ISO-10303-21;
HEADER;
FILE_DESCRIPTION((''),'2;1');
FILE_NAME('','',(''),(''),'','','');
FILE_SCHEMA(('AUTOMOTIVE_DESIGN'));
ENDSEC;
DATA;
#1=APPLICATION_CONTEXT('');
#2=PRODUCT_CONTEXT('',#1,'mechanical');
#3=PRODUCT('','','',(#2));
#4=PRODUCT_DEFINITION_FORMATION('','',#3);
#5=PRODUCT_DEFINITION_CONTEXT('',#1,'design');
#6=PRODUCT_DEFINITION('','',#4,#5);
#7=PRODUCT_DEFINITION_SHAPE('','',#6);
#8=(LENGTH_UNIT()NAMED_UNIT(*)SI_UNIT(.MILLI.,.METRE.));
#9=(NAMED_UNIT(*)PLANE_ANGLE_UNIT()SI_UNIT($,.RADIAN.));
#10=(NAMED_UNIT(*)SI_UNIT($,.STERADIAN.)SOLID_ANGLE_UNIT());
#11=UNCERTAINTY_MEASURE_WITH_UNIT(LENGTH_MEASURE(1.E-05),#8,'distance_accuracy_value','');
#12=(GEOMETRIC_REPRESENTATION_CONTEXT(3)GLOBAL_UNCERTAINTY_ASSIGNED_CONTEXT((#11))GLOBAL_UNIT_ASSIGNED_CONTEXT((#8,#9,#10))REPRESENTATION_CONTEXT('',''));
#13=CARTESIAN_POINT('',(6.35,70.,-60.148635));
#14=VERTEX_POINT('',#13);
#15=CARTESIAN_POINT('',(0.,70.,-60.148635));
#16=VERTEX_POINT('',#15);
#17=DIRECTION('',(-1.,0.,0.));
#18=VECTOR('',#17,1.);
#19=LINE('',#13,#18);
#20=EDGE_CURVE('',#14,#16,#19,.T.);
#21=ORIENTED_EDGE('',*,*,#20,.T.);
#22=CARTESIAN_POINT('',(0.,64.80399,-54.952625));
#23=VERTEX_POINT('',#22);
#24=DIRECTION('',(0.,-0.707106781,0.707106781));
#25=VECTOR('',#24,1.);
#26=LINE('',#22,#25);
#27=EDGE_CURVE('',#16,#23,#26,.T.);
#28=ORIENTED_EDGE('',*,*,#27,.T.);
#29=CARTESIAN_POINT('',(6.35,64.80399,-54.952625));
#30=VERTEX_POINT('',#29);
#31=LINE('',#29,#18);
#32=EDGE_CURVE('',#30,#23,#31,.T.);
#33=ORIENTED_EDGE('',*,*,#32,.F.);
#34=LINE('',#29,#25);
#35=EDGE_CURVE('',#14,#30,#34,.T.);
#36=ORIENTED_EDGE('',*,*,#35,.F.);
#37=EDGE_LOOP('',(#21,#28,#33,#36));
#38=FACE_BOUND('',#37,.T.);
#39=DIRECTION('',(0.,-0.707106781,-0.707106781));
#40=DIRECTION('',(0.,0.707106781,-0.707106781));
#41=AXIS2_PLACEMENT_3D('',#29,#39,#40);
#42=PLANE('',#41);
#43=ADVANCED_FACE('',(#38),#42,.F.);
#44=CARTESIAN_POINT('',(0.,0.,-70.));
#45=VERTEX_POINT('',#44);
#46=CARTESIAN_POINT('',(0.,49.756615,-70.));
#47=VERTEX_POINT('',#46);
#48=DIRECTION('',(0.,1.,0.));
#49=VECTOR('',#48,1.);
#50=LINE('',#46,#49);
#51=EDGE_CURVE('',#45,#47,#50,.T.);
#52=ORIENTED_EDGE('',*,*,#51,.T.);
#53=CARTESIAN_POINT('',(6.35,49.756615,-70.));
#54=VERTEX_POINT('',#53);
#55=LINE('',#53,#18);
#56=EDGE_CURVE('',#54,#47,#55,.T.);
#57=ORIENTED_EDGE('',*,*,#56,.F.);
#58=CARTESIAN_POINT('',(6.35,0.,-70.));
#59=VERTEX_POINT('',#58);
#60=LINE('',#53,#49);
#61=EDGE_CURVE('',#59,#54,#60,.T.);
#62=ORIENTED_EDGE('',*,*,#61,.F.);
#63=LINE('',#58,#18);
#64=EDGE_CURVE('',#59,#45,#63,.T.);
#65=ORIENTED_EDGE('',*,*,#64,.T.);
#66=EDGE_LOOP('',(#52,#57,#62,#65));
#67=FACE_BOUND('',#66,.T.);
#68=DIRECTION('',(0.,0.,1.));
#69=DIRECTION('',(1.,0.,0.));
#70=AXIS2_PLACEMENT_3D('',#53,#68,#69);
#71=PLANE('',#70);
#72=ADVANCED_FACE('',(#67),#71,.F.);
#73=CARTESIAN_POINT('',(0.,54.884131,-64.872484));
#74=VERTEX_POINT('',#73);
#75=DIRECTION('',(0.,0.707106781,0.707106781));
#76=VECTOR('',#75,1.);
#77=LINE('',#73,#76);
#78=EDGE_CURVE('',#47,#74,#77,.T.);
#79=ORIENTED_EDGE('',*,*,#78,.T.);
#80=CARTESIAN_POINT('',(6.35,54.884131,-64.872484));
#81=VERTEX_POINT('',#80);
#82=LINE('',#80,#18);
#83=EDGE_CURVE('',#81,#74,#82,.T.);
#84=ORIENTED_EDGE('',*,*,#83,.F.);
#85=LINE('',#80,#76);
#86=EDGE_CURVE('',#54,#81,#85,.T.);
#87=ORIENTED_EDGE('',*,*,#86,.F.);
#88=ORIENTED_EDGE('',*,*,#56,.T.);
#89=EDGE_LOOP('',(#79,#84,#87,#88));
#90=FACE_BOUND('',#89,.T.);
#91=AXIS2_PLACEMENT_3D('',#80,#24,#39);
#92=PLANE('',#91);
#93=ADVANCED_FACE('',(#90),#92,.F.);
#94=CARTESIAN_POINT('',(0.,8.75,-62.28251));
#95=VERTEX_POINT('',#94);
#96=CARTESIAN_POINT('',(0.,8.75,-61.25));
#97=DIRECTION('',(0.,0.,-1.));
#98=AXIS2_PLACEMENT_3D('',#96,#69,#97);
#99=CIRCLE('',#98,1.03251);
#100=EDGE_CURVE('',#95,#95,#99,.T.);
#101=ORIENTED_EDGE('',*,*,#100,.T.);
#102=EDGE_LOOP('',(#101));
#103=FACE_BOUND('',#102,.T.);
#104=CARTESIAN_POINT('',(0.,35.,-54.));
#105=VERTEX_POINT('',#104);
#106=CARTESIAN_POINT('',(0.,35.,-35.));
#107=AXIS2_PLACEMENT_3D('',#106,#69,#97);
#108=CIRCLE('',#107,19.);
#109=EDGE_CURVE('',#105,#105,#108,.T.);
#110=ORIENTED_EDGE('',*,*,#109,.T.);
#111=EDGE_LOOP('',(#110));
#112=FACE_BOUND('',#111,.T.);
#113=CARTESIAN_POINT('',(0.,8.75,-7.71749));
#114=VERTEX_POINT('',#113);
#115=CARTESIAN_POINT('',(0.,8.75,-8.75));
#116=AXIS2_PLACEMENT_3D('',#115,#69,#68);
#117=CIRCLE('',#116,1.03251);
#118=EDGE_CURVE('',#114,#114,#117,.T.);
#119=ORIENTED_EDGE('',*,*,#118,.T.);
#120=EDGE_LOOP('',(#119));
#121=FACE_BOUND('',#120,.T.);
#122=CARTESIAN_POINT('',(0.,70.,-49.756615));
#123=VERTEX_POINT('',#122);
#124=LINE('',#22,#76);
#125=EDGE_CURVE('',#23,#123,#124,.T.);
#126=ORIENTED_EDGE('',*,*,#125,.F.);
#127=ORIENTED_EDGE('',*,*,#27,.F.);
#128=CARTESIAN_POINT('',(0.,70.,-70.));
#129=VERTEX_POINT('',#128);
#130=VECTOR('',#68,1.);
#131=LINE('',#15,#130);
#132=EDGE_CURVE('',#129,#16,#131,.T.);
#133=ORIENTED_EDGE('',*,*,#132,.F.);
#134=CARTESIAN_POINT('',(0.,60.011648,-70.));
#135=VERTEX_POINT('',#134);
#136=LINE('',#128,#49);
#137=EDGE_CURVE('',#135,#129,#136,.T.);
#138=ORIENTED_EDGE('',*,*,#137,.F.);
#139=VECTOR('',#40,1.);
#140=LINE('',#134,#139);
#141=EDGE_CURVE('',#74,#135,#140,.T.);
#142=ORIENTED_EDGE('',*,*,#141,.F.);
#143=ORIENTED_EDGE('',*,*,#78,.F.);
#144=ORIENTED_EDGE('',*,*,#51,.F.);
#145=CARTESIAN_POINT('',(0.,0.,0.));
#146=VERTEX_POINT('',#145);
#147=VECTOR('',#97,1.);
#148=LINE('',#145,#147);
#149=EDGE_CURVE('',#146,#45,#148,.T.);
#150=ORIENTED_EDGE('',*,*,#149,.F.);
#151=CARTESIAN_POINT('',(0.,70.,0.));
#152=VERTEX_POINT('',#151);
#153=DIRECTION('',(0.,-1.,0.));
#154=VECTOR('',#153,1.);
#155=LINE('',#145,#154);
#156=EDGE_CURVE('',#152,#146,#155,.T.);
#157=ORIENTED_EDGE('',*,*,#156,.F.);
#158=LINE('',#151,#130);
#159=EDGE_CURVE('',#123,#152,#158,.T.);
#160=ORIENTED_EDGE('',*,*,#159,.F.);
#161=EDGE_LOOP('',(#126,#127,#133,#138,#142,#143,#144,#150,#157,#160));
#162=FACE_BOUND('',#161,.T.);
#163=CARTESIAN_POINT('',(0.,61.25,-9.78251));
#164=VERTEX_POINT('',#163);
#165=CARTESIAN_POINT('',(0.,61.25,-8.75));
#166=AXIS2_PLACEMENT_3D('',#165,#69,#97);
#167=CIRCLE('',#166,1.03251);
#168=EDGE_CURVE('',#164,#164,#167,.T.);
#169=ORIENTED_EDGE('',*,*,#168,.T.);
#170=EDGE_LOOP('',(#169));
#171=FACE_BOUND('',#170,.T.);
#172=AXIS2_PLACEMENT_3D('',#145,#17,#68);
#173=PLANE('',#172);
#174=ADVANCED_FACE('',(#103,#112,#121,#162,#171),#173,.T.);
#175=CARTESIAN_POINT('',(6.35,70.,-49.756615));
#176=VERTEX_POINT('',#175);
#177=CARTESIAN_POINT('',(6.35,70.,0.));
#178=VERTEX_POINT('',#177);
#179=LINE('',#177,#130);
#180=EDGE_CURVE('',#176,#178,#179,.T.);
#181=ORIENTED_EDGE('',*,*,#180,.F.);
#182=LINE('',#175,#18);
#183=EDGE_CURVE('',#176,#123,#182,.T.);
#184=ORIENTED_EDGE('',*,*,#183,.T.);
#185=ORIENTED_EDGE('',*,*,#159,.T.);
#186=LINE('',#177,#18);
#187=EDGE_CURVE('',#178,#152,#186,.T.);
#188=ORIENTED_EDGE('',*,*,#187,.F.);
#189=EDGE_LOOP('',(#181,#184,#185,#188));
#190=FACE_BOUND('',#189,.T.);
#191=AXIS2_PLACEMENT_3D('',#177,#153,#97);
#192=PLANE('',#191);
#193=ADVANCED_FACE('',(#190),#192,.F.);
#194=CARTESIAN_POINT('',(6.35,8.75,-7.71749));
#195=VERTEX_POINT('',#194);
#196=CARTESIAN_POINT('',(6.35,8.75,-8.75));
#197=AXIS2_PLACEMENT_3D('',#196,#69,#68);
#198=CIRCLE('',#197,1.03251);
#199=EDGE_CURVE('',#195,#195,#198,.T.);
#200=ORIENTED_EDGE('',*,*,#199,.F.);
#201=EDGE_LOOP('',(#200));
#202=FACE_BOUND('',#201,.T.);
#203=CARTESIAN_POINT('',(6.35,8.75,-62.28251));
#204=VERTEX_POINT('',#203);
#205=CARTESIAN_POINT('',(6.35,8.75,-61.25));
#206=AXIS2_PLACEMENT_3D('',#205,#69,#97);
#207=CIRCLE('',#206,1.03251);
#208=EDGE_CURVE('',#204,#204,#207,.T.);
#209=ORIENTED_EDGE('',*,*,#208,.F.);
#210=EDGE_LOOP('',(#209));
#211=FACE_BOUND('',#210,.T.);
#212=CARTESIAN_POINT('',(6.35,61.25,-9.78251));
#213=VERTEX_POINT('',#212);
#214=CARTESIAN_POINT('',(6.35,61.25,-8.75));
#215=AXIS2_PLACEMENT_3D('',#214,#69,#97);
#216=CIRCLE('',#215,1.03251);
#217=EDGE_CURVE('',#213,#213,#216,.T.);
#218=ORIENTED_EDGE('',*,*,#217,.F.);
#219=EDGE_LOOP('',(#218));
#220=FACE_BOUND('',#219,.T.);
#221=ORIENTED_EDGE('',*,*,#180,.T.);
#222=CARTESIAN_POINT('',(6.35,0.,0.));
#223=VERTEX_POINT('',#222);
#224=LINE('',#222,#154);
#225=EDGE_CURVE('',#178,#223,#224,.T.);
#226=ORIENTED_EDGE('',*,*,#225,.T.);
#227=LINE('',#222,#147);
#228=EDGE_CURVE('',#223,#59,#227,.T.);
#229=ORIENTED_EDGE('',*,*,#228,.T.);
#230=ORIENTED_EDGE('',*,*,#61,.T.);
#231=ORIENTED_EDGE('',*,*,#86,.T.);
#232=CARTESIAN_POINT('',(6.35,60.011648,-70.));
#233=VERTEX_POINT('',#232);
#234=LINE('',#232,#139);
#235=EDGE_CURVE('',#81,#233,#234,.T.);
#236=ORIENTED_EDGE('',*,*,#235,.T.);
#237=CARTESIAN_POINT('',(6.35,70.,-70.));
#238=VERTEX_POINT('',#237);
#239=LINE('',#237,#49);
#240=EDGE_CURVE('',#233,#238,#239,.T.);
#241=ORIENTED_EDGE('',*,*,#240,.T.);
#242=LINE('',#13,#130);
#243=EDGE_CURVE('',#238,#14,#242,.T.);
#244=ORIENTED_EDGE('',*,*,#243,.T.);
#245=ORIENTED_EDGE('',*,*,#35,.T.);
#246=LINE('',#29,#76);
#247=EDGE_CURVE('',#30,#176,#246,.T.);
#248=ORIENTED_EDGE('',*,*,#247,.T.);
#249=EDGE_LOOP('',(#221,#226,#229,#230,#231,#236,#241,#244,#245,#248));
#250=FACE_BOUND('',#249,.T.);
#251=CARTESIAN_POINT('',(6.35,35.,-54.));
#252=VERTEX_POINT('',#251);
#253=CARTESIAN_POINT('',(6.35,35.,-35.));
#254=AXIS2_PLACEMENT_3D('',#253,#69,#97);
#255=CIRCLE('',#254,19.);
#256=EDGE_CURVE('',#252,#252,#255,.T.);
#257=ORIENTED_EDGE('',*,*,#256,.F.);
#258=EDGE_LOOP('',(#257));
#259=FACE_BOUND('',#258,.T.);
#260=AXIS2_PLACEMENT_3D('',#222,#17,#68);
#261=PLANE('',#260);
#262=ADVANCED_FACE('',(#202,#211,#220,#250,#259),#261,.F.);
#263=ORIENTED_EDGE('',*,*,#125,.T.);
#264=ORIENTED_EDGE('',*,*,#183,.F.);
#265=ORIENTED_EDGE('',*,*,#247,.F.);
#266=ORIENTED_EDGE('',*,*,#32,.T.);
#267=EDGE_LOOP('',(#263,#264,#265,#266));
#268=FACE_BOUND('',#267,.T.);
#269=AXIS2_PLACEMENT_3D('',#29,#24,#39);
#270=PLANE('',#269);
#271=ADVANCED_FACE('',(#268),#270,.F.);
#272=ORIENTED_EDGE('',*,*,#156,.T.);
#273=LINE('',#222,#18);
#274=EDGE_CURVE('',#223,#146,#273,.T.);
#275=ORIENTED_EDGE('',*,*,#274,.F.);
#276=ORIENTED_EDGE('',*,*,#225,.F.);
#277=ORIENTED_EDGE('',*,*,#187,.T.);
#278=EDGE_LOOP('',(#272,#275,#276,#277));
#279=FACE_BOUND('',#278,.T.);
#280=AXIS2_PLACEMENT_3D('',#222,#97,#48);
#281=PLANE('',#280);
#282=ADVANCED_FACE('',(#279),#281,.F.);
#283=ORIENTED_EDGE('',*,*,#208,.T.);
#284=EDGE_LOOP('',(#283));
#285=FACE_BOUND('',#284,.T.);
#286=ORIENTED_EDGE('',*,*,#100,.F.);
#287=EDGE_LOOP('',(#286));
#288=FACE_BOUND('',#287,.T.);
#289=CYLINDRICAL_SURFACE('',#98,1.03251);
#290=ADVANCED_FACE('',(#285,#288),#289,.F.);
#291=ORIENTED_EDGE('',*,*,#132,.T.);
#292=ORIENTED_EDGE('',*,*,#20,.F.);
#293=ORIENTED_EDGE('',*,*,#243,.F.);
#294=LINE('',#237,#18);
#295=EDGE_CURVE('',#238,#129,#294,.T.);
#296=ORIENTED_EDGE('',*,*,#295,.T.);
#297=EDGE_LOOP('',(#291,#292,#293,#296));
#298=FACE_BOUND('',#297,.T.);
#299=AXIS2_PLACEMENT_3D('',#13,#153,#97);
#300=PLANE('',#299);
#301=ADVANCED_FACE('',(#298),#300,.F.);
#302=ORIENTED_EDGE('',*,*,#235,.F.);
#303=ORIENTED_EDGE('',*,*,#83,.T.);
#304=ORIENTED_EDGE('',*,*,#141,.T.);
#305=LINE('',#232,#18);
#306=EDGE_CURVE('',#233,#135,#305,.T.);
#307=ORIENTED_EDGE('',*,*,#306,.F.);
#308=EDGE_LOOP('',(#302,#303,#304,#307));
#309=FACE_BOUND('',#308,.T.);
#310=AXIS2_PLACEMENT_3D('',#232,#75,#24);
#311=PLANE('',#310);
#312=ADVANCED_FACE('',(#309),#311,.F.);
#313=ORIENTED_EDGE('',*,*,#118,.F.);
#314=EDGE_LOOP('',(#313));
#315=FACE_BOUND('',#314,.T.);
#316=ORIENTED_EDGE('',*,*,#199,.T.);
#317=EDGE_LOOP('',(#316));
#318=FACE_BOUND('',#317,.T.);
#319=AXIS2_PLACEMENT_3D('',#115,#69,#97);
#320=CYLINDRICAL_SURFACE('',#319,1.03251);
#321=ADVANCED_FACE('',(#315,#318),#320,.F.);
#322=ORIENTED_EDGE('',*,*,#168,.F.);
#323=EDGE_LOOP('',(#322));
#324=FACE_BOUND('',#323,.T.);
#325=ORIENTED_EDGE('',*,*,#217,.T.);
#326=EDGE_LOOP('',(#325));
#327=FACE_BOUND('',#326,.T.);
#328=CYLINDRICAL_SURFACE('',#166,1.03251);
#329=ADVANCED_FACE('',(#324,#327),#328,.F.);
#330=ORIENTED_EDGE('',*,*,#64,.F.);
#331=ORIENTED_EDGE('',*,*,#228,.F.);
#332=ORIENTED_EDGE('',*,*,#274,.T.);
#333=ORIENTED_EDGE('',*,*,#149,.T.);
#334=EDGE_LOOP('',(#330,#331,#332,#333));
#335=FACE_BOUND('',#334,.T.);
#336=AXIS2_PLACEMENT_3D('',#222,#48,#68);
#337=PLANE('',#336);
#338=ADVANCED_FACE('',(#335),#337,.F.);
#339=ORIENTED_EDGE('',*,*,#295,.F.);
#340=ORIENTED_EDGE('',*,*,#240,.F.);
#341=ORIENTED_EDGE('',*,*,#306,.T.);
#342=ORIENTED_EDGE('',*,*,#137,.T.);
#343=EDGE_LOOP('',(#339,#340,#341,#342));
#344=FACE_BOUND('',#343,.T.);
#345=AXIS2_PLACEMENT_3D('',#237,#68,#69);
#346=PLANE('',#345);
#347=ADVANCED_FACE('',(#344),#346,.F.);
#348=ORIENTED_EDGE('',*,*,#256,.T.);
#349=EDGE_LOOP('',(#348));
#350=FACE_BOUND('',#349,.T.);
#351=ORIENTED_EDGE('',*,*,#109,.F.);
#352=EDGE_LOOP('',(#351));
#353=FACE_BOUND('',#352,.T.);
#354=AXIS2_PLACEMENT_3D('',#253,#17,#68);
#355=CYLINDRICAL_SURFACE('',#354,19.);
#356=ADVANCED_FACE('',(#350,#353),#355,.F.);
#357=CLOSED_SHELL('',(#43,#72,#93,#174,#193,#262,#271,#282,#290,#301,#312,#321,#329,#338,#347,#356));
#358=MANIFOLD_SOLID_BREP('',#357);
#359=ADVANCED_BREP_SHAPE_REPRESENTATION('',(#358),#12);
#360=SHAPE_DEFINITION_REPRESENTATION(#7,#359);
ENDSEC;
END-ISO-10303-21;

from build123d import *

# Parameters (mm, degrees)
SKETCH1_R           = 19
BOSS_EXTRUDE1_DEPTH = 6.35
SKETCH2_R           = 1.03251
CUT_EXTRUDE1_DEPTH  = 6.35


with BuildPart() as part:
    # Sketch1 → Boss-Extrude1 (new body)
    with BuildSketch(Plane(origin=(0, 0, 0), x_dir=(0, 0, -1), z_dir=(1, 0, 0))):
        Polygon((0, 0), (70, 0), (70, 49.756615014), (64.872483647, 54.884131367), (70, 60.011647719), (70, 70), (60.148635267, 70), (54.952625141, 64.803989874), (49.756615014, 70), (0, 70), align=None)
        with Locations((35, 35)):
            Circle(SKETCH1_R, mode=Mode.SUBTRACT)
    extrude(amount=BOSS_EXTRUDE1_DEPTH)

    # Sketch2 → Cut-Extrude1 (cut)
    with BuildSketch(Plane(origin=(6.35, 0, 0), x_dir=(0, 0, -1), z_dir=(1, 0, 0))):
        with Locations((8.75, 61.25)):
            Circle(SKETCH2_R)
        with Locations((8.75, 8.75)):
            Circle(SKETCH2_R)
        with Locations((61.25, 8.75)):
            Circle(SKETCH2_R)
    extrude(amount=-CUT_EXTRUDE1_DEPTH, mode=Mode.SUBTRACT)


solid = part.part
